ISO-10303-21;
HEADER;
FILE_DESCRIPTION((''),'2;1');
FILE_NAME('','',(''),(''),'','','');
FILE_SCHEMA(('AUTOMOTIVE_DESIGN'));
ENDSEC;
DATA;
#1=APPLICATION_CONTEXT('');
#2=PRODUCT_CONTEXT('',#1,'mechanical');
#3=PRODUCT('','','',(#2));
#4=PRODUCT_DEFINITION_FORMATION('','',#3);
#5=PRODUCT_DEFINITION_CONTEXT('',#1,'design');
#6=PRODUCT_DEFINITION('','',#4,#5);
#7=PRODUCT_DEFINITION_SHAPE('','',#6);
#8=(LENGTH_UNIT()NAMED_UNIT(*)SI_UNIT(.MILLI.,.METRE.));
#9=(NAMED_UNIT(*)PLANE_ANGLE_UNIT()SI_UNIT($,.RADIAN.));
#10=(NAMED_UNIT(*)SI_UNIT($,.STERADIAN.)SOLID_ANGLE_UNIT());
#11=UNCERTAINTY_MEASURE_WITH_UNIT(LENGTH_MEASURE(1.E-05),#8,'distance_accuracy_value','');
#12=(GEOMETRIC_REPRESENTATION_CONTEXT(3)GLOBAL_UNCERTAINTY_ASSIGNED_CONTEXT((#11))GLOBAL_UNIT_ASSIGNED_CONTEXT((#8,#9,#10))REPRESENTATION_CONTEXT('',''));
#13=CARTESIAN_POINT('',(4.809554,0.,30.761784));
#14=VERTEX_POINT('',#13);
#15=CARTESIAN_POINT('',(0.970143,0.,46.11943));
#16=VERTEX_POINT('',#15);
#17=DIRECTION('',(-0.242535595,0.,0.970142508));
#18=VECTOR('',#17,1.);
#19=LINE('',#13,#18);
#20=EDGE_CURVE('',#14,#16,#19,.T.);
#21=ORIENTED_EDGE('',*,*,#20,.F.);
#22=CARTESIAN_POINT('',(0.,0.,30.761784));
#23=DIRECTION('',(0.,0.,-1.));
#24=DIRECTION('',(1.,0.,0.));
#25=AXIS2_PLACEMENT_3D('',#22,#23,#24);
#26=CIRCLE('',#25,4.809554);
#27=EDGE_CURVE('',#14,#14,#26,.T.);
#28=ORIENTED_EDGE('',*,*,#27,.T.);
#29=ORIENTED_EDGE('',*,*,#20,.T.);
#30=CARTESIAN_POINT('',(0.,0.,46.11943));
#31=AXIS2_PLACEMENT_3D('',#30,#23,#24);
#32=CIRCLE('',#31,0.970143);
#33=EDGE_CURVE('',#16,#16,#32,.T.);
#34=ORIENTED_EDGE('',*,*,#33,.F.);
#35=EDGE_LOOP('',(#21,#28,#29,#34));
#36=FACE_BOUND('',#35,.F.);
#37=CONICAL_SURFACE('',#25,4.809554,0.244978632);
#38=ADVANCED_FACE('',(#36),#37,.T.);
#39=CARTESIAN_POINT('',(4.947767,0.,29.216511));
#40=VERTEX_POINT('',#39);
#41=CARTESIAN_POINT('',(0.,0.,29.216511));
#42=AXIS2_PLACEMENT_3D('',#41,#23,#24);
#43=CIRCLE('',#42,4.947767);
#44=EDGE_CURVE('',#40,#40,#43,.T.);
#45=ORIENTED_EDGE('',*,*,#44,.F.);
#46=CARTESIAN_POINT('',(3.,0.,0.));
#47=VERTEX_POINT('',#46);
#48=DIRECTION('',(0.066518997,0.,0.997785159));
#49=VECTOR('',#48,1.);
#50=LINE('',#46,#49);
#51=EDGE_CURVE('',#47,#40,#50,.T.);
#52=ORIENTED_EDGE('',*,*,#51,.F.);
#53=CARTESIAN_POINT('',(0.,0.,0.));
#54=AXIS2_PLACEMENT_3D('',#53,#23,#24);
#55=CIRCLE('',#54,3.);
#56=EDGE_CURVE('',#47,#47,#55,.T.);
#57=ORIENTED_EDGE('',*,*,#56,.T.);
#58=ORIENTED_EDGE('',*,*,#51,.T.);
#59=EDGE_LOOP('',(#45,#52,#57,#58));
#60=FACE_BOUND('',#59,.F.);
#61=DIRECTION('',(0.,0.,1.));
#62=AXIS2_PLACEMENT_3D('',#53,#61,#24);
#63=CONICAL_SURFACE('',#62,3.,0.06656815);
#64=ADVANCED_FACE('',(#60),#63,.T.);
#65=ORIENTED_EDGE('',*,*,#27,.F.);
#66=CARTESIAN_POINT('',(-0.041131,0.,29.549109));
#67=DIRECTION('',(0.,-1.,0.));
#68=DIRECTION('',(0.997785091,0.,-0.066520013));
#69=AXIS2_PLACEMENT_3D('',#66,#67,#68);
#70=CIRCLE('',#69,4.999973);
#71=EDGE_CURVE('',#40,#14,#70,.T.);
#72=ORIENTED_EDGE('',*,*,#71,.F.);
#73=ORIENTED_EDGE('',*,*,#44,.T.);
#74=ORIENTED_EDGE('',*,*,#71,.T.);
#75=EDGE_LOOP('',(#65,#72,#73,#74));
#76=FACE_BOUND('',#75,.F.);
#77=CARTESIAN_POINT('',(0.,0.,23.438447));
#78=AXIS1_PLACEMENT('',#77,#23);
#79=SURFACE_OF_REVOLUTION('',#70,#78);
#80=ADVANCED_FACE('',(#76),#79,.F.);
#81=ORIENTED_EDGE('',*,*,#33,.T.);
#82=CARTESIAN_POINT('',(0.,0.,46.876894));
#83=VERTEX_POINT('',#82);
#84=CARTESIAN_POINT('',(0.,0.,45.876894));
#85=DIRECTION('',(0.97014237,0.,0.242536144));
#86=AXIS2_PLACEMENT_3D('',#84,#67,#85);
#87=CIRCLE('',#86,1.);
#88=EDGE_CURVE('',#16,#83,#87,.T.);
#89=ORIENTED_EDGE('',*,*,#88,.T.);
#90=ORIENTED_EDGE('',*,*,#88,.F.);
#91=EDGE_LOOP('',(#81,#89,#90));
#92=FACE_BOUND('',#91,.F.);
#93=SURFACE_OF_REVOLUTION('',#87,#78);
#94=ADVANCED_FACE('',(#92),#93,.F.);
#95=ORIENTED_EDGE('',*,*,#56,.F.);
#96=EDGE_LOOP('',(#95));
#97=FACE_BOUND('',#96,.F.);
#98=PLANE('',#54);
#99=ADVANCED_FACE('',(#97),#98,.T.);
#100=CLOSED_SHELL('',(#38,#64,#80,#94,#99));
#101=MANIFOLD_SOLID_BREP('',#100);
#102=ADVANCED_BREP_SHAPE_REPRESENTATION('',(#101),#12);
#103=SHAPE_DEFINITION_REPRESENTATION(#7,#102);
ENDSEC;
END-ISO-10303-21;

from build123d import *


with BuildPart() as f1:
    # F0 (on Front) → F1 (revolve)
    with BuildSketch(Plane.XZ):
        with BuildLine():
            Line((4.809554, 30.761784), (0.970143, 46.11943))
            ThreePointArc((0.970143, 46.11943), (0.615412, 46.6651), (0, 46.876894))
            Line((0, 46.876894), (0, 0))
            Line((0, 0), (3, 0))
            Line((3, 0), (4.947767, 29.216511))
            ThreePointArc((4.947767, 29.216511), (4.938961, 29.99454), (4.809554, 30.761784))
        make_face()
    revolve(axis=Axis((0, 0, 23.438447), (0, 0, -1)))


solid = f1.part
